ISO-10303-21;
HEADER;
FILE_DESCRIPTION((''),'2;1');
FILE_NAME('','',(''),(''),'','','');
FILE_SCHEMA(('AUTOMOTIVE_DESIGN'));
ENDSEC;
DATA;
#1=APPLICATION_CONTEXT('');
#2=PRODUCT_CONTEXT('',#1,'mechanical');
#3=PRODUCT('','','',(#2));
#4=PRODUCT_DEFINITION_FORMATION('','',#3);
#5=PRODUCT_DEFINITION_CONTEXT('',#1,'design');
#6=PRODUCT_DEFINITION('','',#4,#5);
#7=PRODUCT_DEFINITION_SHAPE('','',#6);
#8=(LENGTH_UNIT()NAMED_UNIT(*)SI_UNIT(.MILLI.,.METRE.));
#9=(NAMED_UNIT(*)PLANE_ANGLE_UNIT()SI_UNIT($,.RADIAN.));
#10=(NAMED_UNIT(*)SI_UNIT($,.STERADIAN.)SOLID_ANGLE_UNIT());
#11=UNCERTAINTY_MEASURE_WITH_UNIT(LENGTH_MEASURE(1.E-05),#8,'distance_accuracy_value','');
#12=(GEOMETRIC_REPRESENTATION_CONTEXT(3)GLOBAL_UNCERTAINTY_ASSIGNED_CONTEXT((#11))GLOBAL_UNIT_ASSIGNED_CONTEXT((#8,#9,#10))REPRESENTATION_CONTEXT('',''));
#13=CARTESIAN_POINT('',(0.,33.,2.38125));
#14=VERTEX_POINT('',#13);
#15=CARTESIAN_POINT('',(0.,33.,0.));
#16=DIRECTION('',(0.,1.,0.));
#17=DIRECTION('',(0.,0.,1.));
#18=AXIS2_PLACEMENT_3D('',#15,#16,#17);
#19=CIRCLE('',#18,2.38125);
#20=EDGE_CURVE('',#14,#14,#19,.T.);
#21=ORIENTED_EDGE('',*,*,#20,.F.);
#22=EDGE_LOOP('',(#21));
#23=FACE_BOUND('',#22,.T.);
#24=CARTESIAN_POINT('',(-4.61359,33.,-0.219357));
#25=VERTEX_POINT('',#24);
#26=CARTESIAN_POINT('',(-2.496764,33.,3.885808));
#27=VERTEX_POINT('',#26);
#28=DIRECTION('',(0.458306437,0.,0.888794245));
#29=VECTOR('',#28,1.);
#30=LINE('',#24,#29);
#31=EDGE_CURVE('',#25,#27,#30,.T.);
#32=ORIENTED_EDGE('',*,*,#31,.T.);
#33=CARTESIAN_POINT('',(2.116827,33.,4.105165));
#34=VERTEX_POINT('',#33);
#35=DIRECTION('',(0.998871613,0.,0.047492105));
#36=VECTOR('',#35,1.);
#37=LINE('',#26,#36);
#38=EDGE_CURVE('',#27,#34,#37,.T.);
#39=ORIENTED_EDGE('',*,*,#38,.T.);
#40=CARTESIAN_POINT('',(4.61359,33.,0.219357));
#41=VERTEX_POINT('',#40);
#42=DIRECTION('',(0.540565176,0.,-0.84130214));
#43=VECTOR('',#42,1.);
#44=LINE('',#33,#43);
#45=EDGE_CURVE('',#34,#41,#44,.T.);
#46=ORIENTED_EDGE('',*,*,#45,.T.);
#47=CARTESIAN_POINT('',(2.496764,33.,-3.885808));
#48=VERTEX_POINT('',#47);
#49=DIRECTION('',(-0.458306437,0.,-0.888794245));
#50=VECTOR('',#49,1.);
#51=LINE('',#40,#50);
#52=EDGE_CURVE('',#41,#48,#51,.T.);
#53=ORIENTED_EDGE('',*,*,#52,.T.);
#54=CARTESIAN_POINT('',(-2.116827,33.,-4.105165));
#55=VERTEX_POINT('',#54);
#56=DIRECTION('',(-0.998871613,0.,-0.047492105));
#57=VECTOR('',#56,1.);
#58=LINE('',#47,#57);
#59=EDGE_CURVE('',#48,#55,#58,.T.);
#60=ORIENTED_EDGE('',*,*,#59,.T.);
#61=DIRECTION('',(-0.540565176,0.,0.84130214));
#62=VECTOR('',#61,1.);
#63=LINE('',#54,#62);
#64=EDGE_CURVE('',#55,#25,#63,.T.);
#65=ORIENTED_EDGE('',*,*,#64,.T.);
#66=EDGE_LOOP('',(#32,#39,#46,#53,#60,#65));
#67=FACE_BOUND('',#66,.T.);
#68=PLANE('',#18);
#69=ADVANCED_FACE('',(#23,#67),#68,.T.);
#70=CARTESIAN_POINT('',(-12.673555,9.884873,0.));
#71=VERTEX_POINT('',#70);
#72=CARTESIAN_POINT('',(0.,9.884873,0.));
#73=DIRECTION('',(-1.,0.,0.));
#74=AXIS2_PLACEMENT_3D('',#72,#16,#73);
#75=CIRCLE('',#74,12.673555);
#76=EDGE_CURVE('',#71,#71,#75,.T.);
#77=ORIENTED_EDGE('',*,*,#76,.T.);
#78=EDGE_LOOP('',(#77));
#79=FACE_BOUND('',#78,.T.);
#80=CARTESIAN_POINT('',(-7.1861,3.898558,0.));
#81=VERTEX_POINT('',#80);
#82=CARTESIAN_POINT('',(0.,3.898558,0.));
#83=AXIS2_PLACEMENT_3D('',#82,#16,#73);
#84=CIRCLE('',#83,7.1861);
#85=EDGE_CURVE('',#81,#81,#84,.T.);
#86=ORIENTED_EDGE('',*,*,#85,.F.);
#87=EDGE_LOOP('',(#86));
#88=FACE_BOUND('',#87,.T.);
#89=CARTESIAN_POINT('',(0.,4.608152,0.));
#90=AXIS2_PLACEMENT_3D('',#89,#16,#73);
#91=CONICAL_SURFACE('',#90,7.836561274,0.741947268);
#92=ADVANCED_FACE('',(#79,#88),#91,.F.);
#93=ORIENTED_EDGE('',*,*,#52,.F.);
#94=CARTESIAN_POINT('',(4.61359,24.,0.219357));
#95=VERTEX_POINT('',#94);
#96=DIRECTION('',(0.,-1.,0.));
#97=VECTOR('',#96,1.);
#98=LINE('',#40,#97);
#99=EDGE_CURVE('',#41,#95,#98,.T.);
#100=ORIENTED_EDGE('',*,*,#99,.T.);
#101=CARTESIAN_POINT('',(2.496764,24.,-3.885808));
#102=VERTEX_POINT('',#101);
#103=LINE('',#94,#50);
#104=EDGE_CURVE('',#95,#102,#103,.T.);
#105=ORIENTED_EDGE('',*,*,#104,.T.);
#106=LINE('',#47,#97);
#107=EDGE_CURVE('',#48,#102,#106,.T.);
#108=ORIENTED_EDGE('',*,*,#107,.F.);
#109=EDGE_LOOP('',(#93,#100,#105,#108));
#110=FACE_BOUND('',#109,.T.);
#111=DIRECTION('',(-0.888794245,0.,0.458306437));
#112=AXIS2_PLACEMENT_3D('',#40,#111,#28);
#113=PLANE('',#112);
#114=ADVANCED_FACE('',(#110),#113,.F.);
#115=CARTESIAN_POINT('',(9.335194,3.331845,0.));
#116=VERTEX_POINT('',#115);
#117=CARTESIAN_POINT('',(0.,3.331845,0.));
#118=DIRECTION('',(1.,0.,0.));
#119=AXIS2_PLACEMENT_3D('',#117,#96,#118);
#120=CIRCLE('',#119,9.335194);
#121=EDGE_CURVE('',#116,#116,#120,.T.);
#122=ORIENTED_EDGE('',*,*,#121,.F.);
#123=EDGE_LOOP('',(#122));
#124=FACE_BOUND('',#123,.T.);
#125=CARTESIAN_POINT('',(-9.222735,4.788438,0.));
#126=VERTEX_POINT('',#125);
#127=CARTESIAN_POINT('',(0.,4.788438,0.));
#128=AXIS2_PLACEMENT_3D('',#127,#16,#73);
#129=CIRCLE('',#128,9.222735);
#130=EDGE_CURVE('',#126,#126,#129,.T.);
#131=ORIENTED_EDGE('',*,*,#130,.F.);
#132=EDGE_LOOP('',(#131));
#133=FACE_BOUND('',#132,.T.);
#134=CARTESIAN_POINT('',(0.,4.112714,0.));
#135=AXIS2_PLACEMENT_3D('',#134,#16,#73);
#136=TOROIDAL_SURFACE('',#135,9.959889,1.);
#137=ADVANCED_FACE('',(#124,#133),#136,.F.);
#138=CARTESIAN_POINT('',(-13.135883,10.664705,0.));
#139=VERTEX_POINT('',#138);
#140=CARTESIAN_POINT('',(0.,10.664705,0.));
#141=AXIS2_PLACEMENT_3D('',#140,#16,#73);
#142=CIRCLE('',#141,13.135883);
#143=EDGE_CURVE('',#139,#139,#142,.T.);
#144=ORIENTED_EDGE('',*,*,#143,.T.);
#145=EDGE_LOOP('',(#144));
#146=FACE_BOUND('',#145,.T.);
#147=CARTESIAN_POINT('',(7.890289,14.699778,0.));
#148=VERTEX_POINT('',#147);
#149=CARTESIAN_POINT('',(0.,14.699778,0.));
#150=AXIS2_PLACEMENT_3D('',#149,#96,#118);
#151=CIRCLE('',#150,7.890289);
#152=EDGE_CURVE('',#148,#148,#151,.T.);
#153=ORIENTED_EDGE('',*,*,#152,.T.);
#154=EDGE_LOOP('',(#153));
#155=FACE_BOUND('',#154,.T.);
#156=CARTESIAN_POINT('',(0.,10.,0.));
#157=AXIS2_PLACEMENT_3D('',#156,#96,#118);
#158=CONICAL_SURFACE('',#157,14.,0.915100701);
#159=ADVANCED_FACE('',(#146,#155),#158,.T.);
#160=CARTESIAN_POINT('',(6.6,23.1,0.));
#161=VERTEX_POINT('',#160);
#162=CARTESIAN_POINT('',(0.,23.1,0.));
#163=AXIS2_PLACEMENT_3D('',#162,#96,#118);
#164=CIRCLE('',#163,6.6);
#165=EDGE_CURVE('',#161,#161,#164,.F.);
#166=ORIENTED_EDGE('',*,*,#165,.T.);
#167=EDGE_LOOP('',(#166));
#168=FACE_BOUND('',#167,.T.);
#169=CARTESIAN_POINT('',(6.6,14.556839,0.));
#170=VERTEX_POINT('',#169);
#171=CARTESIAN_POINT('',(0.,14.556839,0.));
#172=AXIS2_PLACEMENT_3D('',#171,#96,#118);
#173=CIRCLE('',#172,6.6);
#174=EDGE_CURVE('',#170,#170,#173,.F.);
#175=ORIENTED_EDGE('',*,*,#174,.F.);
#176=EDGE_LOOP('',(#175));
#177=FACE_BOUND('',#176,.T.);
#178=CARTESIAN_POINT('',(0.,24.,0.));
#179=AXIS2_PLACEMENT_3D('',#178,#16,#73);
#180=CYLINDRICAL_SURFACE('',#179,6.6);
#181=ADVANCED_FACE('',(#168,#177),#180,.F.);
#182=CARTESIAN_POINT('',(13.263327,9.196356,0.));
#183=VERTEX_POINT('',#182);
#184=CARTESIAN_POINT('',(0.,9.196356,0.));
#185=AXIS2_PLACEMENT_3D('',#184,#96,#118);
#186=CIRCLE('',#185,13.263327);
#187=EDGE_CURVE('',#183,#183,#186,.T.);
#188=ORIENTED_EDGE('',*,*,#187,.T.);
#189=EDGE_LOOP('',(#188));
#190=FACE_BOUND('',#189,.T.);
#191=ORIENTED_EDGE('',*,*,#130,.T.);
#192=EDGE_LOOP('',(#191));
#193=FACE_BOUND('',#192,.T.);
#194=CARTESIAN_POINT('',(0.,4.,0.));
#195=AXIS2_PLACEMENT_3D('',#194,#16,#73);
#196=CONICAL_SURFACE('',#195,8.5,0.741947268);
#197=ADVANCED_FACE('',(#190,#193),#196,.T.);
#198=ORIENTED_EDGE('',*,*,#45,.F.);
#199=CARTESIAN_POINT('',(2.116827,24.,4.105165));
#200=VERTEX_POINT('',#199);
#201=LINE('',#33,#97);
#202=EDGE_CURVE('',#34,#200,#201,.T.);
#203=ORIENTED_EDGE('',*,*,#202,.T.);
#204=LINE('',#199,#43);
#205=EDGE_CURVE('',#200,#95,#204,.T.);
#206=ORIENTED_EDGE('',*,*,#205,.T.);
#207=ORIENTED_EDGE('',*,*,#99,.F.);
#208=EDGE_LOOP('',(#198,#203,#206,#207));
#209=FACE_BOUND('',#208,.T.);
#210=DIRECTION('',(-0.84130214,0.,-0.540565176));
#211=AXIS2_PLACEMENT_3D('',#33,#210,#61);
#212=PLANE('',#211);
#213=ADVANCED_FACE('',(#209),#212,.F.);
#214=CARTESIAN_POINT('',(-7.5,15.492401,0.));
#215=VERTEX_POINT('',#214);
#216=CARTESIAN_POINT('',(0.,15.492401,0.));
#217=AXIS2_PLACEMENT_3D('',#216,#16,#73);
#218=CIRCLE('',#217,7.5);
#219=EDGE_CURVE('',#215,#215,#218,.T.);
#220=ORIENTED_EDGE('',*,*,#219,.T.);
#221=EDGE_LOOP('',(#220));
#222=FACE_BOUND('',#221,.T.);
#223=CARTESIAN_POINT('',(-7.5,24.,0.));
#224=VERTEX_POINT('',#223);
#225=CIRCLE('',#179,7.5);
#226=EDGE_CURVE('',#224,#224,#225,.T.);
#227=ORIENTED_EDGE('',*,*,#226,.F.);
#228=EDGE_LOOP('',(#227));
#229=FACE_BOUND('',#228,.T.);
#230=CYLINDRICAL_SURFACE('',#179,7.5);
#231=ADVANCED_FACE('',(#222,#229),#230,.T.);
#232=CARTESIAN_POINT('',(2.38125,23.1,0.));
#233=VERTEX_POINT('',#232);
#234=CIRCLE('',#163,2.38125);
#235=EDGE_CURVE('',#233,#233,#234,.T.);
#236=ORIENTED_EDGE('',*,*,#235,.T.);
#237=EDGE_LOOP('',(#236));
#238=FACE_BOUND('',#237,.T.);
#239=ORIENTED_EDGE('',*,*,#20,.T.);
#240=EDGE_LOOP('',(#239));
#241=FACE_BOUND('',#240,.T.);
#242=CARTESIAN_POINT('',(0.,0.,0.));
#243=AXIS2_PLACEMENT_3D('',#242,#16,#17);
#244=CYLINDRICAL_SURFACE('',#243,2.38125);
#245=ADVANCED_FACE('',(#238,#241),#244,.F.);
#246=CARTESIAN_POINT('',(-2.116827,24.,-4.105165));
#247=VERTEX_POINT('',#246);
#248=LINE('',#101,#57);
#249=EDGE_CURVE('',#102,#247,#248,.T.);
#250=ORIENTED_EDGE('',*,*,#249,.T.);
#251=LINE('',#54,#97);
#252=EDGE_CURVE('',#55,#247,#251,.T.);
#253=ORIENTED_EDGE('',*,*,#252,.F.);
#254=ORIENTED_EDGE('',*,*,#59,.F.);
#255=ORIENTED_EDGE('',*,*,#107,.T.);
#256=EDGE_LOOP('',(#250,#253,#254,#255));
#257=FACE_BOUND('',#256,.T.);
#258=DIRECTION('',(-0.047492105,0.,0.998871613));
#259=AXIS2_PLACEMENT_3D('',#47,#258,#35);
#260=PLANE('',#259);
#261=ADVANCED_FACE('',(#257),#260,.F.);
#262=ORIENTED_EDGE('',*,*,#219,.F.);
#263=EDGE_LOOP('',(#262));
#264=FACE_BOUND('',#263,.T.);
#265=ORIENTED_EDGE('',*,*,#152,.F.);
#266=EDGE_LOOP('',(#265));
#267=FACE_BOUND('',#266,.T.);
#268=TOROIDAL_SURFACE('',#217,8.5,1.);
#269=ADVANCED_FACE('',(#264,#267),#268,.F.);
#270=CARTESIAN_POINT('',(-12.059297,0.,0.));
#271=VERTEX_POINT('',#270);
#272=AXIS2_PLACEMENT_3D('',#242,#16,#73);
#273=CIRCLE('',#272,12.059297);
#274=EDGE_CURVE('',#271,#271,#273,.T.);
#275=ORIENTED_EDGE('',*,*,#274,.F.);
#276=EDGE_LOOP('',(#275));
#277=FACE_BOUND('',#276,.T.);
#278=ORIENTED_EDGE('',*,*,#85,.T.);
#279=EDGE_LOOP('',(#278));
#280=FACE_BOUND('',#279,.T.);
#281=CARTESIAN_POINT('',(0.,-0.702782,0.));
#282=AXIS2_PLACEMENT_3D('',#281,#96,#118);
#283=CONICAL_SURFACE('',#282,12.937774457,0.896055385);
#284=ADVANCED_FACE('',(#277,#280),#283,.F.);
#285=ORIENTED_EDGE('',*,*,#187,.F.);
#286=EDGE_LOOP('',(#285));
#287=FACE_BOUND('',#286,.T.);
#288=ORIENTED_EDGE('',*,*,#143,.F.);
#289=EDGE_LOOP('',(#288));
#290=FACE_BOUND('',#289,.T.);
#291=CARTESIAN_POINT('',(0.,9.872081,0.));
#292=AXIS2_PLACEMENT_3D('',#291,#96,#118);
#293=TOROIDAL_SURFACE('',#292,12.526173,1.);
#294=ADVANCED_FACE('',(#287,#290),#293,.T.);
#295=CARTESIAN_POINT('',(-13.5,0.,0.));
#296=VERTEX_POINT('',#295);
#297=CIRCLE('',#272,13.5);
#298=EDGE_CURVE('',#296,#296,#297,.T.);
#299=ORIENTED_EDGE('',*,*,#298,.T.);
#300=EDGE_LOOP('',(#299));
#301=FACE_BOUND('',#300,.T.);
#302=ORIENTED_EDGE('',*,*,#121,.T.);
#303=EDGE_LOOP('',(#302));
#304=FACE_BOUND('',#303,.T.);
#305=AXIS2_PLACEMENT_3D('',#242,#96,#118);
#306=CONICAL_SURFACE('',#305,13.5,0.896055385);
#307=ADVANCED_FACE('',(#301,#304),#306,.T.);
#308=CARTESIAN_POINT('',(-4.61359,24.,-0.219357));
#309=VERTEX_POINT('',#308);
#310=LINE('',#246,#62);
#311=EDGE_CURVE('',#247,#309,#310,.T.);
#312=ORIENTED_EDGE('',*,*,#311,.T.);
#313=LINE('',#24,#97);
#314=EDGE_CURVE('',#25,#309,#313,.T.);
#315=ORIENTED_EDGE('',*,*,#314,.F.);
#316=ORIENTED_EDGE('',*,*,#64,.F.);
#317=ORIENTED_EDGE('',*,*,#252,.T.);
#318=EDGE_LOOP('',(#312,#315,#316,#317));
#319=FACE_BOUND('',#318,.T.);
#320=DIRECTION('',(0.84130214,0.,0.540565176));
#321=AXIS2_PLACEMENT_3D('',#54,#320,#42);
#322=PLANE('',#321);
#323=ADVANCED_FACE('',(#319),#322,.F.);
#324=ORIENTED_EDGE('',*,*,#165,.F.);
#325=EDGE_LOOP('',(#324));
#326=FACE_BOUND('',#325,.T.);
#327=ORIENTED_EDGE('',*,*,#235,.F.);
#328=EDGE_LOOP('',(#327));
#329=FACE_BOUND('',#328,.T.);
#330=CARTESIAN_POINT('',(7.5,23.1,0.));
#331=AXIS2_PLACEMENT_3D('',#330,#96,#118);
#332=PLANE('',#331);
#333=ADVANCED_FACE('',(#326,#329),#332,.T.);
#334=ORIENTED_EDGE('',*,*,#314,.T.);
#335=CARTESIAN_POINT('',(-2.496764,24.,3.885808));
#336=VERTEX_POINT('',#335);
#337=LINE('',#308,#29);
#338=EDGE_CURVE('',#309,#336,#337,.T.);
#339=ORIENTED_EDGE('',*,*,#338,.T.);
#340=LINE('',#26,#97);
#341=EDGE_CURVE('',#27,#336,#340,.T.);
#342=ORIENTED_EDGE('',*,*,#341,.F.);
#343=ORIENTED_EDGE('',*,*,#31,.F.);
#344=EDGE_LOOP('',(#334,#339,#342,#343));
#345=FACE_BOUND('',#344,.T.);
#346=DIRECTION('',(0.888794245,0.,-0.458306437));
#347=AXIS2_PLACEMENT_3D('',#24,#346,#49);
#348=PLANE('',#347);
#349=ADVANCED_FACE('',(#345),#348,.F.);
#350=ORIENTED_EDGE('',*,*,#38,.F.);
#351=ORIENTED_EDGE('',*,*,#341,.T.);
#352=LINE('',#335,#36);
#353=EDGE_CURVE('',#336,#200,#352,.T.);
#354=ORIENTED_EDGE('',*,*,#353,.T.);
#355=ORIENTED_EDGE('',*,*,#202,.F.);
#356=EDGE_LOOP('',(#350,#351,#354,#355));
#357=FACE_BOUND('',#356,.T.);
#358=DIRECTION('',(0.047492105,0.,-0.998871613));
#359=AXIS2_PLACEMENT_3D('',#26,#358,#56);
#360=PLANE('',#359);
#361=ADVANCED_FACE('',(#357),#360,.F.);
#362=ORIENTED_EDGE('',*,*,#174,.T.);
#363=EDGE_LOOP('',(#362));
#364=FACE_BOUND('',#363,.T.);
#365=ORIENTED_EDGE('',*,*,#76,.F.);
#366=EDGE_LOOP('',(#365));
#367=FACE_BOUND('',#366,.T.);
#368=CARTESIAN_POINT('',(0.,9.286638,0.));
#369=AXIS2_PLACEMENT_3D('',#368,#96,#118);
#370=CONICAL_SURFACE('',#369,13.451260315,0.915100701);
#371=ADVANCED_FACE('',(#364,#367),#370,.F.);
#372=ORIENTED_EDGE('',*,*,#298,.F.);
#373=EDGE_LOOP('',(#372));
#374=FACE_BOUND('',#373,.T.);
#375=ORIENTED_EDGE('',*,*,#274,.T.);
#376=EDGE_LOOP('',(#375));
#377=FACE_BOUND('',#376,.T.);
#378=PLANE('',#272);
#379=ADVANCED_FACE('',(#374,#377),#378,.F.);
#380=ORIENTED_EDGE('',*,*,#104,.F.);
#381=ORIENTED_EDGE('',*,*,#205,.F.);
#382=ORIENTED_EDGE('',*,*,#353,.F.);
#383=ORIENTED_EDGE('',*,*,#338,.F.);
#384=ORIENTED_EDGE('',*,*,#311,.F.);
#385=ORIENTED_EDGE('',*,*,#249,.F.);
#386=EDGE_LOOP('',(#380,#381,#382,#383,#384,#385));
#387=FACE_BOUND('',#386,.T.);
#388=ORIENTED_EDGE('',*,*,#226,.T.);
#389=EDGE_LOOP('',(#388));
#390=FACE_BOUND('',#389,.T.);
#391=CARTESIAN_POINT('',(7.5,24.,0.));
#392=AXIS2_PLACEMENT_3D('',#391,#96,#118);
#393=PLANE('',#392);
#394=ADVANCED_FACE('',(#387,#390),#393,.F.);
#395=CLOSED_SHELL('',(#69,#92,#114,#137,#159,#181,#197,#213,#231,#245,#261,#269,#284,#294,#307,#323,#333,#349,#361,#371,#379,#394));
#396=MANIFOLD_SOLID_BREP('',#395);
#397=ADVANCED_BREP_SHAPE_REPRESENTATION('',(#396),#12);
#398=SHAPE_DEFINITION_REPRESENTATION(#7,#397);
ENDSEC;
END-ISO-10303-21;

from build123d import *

# Parameters (mm, degrees)
CASCA1_T                 = -0.9
RESSALTO_EXTRUS_O1_DEPTH = 9
FILETE1_R                = 1
ESBO_O3_R                = 2.38125
CORTE_EXTRUS_O1_DEPTH    = 39.143338529


with BuildPart() as part:
    # Esboço1 → Revolução1 (revolve)
    with BuildSketch(Plane.XY, mode=Mode.PRIVATE) as revolu_o1_sk:
        Polygon((0, 0), (13.5, 0), (8.5, 4), (14, 10), (7.5, 15), (7.5, 24), (0, 24), align=None)
    revolve(revolu_o1_sk.sketch.rotate(Axis((0, 24, 0), (0, -1, 0)), 180), axis=Axis((0, 24, 0), (0, -1, 0)))

    # Casca1
    casca1_openings = [part.faces().sort_by_distance(p)[0] for p in [
        (0, 0, 0),
    ]]
    offset(amount=CASCA1_T, openings=casca1_openings, kind=Kind.INTERSECTION)

    # Esboço2 → Ressalto-extrusão1 (add)
    with BuildSketch(Plane(origin=(0, 24, 0), x_dir=(1, 0, 0), z_dir=(0, 1, 0))):
        Polygon((2.496763598, 3.885808136), (-2.11682676, 4.105164771), (-4.613590359, 0.219356636), (-2.496763598, -3.885808136), (2.11682676, -4.105164771), (4.613590359, -0.219356636), align=None)
    extrude(amount=RESSALTO_EXTRUS_O1_DEPTH)

    # Filete1
    filete1_edges = [part.edges().sort_by_distance(p)[0] for p in [
        (7.5, 15, 0),
        (14, 10, 0),
        (8.5, 4, 0),
    ]]
    fillet(filete1_edges, radius=FILETE1_R)

    # Esboço3 → Corte-extrusão1 (cut, through all)
    with BuildSketch(Plane(origin=(0, 33, 0), x_dir=(1, 0, 0), z_dir=(0, 1, 0))):
        with Locations(Location((0, 0, 0), (0, 0, 270))):
            Circle(ESBO_O3_R)
    extrude(amount=-CORTE_EXTRUS_O1_DEPTH, mode=Mode.SUBTRACT)


solid = part.part
